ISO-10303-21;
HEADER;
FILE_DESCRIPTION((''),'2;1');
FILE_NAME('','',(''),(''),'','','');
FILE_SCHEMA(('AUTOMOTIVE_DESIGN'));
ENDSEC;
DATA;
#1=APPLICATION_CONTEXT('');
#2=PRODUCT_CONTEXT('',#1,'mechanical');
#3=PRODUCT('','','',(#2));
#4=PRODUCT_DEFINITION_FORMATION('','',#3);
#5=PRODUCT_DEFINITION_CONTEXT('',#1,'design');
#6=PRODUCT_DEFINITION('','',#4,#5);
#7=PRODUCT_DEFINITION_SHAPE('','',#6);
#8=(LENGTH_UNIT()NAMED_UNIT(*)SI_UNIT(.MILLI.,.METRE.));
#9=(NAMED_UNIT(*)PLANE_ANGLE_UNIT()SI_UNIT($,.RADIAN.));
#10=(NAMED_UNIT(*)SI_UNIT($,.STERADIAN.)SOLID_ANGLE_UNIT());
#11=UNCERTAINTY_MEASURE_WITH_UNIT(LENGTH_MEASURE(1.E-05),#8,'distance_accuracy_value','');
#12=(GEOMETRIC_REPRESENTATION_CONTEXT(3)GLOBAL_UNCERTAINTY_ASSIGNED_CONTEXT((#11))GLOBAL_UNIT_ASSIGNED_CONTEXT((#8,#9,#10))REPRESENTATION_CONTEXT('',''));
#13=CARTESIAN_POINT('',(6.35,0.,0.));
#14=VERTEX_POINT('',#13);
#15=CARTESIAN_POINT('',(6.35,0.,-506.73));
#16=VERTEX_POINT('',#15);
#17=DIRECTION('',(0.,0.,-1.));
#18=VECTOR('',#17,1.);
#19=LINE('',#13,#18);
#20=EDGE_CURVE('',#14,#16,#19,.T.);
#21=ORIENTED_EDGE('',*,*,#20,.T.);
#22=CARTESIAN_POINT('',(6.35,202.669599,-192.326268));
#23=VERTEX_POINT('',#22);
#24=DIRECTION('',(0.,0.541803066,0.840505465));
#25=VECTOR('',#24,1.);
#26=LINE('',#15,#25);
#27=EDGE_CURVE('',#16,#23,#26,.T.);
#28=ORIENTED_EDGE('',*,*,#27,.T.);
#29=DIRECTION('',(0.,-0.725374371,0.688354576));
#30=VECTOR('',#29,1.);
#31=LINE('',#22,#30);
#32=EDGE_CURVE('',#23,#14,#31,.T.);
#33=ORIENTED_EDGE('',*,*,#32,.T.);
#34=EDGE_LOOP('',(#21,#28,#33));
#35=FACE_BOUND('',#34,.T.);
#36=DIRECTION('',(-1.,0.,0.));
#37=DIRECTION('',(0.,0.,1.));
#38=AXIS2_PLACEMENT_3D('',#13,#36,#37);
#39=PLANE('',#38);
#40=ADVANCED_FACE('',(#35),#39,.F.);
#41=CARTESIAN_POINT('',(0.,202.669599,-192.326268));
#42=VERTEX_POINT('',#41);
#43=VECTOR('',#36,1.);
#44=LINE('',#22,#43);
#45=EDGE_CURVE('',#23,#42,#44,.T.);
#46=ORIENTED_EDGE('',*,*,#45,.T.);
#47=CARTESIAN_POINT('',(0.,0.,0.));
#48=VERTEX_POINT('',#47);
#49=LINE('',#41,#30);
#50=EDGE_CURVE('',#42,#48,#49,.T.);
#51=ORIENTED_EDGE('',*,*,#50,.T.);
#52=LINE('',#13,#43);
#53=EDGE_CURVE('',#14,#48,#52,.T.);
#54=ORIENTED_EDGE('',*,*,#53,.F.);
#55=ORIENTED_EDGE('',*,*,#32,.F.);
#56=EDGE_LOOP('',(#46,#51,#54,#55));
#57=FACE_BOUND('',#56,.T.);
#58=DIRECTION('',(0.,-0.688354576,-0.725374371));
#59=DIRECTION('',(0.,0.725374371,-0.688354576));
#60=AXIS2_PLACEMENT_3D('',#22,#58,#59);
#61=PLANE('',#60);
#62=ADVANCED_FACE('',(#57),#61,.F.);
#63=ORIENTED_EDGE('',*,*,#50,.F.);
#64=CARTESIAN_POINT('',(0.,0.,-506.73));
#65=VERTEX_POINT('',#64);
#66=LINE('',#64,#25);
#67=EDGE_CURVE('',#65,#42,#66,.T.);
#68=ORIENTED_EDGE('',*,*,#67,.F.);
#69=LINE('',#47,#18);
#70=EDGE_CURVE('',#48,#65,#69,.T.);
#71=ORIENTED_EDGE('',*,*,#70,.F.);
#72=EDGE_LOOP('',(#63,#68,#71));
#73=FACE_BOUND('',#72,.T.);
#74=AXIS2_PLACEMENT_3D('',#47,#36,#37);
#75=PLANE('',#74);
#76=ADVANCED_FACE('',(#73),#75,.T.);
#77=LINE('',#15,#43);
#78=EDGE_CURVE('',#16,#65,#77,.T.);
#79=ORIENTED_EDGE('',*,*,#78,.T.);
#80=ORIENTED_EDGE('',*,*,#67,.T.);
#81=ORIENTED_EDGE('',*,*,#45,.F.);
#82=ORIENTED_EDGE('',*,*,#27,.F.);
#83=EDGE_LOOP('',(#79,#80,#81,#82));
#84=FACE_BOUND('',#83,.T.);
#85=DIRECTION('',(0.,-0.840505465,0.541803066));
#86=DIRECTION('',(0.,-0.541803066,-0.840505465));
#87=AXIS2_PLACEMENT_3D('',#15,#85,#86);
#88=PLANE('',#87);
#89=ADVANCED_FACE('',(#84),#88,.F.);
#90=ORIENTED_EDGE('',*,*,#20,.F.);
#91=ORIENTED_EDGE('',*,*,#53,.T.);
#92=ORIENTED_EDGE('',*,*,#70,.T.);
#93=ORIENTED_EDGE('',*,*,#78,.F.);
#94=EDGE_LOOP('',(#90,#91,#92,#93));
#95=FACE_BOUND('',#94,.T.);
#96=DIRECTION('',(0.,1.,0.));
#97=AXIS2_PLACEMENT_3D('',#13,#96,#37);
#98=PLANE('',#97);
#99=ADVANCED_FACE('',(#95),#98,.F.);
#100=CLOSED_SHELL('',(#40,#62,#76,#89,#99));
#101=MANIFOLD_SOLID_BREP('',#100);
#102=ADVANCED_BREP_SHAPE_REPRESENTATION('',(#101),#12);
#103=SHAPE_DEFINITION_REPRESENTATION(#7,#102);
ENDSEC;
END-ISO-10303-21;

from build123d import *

# Parameters (mm, degrees)
BOSS_EXTRUDE1_DEPTH = 6.35


with BuildPart() as part:
    # Sketch1 → Boss-Extrude1 (new body)
    with BuildSketch(Plane(origin=(0, 0, 0), x_dir=(0, 0, -1), z_dir=(1, 0, 0))):
        Polygon((0, 0), (506.73, 0), (192.326268449, 202.669599261), align=None)
    extrude(amount=BOSS_EXTRUDE1_DEPTH)


solid = part.part
